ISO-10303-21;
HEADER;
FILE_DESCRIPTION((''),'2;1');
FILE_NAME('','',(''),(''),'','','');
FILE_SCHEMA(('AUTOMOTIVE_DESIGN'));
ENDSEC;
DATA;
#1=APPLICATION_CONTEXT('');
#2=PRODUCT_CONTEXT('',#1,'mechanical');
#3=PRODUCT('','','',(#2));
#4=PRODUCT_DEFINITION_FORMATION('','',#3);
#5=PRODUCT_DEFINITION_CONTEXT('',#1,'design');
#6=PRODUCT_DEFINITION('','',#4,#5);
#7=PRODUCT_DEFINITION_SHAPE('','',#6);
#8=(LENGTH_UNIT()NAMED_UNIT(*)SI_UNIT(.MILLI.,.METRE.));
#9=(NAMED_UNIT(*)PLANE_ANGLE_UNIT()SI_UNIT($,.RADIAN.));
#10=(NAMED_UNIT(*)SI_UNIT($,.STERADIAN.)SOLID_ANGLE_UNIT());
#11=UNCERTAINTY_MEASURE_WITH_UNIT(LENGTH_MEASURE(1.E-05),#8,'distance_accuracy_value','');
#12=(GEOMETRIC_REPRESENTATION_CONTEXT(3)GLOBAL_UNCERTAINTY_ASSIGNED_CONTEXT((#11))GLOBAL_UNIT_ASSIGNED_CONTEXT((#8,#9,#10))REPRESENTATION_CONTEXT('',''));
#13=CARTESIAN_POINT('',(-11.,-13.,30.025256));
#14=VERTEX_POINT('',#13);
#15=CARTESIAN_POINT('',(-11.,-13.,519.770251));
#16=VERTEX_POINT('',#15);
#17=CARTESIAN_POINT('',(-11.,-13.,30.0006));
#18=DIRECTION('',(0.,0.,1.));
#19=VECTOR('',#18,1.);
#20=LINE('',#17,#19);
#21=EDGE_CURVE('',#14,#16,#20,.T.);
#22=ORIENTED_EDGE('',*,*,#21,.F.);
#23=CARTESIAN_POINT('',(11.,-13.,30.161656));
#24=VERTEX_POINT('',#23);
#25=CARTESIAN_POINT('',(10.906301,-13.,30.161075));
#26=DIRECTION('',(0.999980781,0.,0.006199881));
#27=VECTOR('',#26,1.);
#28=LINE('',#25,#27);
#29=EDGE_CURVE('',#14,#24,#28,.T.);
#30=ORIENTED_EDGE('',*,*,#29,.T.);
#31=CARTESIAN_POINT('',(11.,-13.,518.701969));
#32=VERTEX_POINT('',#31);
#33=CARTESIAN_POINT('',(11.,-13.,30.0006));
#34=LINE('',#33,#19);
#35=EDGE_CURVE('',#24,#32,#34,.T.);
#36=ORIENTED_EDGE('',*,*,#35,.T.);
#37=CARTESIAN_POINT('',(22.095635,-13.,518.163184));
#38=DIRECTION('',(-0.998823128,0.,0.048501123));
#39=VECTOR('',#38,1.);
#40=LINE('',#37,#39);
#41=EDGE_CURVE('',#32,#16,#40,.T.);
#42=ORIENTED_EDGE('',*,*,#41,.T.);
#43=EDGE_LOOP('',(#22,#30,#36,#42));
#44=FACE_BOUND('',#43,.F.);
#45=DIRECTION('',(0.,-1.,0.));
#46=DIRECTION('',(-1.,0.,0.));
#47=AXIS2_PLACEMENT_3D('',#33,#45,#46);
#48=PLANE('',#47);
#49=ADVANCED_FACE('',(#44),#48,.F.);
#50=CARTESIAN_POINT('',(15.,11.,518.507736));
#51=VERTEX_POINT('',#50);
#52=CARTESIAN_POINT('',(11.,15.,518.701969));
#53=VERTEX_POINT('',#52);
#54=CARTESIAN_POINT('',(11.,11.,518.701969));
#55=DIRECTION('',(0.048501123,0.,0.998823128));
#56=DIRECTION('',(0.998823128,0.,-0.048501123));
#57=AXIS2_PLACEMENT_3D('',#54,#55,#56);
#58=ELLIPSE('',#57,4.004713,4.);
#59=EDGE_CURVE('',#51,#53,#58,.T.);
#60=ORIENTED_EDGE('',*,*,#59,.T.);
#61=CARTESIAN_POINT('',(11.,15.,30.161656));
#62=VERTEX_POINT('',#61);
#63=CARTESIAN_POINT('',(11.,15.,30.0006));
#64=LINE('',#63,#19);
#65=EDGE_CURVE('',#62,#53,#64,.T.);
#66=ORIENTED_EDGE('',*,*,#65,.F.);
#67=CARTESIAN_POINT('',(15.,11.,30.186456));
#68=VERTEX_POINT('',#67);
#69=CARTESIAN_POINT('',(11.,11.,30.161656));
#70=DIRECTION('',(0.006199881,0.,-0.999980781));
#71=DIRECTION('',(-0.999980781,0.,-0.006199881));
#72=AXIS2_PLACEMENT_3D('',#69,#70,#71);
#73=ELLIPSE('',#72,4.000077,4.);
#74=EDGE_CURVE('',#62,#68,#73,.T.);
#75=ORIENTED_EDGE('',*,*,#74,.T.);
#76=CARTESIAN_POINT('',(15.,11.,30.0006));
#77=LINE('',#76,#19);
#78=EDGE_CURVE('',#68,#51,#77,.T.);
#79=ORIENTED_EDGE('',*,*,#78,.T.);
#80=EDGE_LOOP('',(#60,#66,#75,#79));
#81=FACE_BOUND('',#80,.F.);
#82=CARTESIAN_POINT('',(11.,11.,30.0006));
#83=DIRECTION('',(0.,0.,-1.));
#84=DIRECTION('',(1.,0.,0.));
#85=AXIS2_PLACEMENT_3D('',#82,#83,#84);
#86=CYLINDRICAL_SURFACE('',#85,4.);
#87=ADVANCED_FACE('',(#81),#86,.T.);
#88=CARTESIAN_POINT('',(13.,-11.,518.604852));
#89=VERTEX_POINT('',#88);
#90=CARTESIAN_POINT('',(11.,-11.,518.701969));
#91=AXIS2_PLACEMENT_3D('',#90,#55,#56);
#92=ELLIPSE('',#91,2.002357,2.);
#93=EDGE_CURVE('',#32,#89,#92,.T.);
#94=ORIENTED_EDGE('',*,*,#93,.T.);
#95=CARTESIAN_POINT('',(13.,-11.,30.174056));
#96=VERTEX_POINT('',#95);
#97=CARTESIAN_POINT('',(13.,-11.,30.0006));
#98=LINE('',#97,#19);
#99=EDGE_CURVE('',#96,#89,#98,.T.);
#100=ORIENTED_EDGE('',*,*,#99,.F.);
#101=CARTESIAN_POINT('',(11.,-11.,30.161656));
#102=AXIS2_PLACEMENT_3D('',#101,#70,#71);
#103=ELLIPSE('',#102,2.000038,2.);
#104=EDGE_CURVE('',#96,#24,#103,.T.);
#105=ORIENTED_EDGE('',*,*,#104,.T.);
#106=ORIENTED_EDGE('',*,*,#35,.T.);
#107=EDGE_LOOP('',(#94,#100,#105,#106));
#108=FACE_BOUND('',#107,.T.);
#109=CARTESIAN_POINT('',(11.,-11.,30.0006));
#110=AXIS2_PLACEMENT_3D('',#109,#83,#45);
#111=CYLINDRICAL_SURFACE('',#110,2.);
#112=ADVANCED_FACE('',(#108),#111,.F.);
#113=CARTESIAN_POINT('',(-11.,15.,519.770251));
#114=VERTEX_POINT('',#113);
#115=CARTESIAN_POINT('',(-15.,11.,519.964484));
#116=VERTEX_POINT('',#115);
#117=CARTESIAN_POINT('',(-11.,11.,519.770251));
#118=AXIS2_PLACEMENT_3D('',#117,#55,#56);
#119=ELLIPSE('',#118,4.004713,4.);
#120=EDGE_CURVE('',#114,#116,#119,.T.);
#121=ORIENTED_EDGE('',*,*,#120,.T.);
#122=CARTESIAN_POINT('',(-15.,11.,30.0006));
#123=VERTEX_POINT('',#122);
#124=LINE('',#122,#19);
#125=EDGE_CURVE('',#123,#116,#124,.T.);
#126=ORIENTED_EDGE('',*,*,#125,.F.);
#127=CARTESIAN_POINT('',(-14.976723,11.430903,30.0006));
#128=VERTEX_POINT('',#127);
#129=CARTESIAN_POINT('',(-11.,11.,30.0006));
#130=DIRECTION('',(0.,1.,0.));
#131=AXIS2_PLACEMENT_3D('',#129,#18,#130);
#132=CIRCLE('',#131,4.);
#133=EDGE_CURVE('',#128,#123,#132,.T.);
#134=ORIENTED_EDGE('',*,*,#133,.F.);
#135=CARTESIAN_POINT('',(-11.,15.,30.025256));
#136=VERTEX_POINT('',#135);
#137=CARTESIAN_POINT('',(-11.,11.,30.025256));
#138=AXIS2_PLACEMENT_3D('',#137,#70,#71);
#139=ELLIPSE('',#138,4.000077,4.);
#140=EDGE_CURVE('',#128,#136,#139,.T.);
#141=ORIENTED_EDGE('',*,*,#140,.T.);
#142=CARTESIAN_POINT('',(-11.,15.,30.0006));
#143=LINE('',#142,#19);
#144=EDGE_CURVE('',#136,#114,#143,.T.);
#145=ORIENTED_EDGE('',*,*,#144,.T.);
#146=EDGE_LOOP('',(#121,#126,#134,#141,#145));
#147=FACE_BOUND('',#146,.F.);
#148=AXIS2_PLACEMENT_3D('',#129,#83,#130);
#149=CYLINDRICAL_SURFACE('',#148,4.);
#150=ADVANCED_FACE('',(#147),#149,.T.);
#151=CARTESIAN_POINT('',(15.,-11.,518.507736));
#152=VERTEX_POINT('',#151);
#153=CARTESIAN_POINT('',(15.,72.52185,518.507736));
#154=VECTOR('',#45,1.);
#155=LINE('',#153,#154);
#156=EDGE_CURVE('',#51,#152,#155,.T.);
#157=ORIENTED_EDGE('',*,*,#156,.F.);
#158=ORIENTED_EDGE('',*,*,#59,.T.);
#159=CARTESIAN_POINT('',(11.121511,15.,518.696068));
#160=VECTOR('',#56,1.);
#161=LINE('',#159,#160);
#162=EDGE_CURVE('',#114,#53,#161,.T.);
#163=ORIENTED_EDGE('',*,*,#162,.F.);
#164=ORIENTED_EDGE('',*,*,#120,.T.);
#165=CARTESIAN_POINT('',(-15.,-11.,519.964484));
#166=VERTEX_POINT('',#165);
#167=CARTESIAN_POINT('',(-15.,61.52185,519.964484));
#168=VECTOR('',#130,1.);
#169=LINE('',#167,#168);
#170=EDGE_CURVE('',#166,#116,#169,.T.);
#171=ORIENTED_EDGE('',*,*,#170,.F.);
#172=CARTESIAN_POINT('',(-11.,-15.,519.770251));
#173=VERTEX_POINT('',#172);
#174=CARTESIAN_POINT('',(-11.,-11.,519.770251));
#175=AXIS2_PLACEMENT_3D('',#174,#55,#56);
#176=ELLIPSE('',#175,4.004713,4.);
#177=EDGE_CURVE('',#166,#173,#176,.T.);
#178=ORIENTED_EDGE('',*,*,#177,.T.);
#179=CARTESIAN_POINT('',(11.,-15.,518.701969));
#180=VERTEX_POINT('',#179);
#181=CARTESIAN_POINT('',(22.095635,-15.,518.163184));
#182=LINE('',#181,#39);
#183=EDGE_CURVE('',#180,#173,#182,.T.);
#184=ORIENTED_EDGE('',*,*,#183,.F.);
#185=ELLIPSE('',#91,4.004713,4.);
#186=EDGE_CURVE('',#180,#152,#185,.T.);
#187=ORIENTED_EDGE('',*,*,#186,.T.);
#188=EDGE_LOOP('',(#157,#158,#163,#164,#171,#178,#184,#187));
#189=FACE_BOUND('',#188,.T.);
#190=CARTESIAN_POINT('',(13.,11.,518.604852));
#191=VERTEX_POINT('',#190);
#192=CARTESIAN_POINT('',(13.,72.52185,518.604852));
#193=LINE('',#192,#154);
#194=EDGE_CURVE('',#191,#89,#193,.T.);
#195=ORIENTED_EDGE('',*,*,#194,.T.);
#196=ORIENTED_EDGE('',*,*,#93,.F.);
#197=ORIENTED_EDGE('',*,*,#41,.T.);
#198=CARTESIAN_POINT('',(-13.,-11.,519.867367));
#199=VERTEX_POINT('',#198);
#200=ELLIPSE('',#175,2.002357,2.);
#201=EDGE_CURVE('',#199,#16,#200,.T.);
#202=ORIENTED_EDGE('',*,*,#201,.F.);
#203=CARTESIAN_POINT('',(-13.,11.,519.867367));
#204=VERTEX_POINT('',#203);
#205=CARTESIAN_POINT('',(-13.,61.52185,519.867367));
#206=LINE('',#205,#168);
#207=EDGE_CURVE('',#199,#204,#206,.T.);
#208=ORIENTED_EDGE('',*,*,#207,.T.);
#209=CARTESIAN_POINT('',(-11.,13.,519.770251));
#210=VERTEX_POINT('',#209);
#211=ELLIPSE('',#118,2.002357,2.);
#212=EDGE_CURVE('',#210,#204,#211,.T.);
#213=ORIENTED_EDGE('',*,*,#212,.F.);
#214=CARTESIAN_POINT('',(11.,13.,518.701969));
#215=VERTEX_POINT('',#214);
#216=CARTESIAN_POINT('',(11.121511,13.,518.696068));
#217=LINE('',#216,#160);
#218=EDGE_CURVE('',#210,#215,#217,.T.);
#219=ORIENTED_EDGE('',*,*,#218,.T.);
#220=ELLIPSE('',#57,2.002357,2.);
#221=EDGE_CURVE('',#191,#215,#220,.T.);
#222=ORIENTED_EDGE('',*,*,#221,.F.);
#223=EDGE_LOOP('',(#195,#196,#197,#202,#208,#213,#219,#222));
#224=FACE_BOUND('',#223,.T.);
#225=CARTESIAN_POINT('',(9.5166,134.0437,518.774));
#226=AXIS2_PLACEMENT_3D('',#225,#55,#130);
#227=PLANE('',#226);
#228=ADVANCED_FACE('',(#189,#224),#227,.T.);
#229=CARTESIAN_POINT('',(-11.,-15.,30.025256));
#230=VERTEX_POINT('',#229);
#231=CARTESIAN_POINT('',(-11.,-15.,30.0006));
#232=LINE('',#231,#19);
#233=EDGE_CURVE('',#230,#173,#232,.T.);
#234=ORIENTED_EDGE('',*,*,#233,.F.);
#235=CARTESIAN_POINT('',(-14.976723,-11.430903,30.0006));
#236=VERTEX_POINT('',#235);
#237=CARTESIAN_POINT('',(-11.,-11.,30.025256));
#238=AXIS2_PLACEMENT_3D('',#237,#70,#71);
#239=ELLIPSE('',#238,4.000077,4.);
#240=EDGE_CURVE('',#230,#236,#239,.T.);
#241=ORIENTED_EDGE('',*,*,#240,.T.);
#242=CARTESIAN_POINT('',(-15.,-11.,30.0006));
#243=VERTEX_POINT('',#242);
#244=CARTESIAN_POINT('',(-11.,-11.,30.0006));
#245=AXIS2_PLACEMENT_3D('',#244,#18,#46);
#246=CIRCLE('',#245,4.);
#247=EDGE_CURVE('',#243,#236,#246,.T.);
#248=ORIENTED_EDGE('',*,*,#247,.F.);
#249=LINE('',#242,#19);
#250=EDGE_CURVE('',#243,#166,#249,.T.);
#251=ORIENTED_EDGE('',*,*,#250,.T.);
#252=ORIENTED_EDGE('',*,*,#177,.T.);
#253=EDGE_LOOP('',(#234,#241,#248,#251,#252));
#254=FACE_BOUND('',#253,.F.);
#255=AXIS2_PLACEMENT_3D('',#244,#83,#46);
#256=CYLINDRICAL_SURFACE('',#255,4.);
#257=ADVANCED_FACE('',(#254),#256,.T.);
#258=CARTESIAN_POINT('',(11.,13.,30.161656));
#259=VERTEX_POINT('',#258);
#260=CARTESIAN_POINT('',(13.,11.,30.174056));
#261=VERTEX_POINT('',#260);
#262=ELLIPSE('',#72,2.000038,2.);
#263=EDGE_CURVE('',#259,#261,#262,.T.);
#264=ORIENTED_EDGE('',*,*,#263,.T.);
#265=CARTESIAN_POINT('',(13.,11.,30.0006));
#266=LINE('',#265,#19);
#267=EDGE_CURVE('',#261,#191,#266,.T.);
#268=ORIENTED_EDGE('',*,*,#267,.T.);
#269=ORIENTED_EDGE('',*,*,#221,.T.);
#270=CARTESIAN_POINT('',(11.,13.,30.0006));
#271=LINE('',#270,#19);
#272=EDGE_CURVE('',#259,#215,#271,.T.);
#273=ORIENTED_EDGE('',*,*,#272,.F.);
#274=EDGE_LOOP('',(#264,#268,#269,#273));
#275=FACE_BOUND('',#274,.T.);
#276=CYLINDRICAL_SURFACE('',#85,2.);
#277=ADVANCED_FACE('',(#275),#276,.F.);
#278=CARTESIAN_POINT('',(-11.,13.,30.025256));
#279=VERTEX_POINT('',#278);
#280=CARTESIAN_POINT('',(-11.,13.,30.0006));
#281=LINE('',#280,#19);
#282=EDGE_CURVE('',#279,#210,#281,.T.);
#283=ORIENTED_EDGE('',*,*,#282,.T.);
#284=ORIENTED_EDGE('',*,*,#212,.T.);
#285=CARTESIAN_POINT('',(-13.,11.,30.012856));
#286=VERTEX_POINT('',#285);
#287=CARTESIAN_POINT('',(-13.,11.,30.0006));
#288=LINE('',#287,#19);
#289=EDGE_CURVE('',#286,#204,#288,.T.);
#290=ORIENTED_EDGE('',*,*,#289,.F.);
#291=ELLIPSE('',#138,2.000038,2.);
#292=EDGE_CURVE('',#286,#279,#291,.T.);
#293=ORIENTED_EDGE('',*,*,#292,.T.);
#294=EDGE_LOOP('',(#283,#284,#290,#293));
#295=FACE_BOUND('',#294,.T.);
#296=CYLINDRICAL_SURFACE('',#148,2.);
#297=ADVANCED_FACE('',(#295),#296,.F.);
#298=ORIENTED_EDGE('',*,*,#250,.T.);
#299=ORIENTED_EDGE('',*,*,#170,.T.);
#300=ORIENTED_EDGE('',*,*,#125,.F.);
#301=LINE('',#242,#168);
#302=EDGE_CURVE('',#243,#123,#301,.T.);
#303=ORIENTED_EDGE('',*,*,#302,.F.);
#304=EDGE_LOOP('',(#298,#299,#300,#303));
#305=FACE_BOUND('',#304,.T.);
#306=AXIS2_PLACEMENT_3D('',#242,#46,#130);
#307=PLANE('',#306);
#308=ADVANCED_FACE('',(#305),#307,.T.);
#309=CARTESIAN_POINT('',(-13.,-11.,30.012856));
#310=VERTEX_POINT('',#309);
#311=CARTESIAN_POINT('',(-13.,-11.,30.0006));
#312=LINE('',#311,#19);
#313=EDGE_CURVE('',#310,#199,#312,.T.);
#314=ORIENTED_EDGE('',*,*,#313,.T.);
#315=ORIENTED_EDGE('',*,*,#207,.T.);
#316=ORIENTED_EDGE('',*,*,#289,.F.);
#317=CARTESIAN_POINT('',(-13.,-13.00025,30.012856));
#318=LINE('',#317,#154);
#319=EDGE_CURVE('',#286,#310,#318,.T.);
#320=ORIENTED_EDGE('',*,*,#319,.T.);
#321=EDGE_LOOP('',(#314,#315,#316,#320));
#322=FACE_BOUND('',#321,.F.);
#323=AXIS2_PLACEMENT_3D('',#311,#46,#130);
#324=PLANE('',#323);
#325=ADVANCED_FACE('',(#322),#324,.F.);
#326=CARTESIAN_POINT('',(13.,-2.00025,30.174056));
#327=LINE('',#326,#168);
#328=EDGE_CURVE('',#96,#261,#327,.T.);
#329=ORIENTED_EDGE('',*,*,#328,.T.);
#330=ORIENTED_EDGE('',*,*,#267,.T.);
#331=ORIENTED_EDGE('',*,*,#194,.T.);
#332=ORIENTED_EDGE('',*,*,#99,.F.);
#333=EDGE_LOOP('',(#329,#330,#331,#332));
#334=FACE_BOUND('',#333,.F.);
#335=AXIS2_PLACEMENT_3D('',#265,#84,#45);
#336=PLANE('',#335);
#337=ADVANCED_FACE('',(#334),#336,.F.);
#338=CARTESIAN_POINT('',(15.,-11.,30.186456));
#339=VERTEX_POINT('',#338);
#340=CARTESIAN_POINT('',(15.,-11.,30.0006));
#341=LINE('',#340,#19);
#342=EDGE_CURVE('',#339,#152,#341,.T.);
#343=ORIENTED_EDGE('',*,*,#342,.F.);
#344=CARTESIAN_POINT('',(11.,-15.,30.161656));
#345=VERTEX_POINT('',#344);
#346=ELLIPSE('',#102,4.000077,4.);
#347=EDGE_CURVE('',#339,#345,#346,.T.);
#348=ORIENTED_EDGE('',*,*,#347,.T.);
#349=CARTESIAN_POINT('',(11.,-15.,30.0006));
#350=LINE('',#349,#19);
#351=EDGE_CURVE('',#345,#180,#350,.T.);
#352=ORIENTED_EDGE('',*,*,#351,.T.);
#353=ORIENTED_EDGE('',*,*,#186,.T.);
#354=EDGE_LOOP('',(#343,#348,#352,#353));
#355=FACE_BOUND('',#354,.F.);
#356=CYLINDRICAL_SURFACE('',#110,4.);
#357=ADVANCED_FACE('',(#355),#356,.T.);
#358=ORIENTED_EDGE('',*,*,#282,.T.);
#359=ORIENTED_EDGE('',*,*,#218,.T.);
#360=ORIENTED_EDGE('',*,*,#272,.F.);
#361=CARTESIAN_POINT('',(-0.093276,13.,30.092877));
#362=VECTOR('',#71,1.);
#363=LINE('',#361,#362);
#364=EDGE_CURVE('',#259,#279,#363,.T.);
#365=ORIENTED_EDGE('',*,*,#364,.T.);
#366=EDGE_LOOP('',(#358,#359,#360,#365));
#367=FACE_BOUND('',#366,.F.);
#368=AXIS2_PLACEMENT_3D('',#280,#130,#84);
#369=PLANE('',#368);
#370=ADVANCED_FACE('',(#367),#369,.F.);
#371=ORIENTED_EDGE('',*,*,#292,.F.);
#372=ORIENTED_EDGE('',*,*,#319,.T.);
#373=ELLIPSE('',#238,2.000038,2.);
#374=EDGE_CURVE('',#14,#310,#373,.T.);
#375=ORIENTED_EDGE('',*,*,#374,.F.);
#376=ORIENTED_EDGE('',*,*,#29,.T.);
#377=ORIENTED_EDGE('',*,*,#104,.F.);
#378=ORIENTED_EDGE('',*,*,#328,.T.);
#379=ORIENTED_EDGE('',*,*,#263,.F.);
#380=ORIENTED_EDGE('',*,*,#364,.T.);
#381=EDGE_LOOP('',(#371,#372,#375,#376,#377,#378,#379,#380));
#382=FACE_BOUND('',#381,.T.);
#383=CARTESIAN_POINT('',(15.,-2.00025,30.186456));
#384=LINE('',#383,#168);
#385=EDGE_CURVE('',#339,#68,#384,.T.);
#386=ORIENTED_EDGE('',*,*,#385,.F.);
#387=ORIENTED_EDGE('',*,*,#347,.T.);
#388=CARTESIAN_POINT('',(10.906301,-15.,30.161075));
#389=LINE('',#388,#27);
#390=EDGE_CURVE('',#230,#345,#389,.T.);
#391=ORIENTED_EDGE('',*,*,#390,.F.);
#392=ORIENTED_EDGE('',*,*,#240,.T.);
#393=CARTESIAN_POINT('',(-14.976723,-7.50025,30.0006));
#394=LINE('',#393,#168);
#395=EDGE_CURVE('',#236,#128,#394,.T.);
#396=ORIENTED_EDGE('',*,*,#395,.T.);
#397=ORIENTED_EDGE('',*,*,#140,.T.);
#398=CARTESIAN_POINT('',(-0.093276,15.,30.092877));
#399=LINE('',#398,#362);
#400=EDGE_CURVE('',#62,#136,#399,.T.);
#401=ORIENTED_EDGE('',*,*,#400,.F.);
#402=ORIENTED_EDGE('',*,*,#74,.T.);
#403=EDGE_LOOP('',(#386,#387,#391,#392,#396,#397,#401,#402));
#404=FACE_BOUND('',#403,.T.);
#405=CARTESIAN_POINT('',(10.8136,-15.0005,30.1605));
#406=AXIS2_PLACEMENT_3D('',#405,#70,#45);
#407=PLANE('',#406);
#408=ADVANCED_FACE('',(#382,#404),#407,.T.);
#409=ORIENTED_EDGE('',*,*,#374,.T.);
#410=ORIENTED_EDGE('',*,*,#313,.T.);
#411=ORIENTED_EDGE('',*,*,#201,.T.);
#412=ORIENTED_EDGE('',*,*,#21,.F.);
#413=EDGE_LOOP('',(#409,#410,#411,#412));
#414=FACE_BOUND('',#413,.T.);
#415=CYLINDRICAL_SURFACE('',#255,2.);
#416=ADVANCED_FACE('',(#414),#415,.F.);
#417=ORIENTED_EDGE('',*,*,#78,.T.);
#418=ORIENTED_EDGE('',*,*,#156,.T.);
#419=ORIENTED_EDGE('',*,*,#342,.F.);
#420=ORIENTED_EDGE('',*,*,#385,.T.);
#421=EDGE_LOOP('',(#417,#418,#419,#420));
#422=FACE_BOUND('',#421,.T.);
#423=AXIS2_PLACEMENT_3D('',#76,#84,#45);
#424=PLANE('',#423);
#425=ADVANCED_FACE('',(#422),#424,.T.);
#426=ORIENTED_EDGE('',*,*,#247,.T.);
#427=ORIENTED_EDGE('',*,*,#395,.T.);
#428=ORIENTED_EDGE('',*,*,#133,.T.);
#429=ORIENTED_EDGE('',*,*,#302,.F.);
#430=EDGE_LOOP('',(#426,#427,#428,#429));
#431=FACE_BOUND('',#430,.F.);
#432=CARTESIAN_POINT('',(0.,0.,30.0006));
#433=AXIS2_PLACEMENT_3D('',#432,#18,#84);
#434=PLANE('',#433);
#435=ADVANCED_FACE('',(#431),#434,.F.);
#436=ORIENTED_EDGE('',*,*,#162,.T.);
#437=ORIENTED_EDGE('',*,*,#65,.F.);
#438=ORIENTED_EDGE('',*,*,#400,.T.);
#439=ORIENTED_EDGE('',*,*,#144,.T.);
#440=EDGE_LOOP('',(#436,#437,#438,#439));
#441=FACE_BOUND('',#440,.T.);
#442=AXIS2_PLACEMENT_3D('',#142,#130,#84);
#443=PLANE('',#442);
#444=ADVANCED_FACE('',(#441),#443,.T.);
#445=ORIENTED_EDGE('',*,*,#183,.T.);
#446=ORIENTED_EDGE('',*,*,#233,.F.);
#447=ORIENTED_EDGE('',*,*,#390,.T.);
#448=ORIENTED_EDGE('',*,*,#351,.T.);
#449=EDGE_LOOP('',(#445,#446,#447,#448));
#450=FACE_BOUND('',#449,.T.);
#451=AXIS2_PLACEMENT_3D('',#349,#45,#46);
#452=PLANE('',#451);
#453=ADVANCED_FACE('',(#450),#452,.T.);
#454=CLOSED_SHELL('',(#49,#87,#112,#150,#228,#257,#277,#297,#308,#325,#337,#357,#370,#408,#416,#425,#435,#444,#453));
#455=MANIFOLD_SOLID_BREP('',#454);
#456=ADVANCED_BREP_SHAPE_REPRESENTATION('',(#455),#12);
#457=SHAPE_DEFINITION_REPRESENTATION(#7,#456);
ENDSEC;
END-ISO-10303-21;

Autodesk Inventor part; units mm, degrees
ref_plane "Plano inicial" through (0, 0, 30.0006) normal (0, 0, 1) x (1, 0, 0)
ref_plane "Plano final" through (0, 0, 519.9647) normal (0, 0, 1) x (1, 0, 0)
sketch "Esboço" plane through (0, 0, 0) normal (0, 0, 1) x (1, 0, 0)
  line L0 (-15, -11) -> (-15, 11)
  line L1 (-11, 15) -> (11, 15)
  line L2 (15, 11) -> (15, -11)
  line L3 (11, -15) -> (-11, -15)
  arc A0 (-15, -11) -> (-11, -15) centre (-11, -11) ccw
  arc A1 (15, 11) -> (11, 15) centre (11, 11) ccw
  arc A2 (-11, 15) -> (-15, 11) centre (-11, 11) ccw
  arc A3 (11, -15) -> (15, -11) centre (11, -11) ccw
  arc A4 (-11, 13) -> (-13, 11) centre (-11, 11) ccw
  line L4 (-11, 13) -> (11, 13)
  arc A5 (13, 11) -> (11, 13) centre (11, 11) ccw
  line L5 (13, 11) -> (13, -11)
  arc A6 (11, -13) -> (13, -11) centre (11, -11) ccw
  line L6 (11, -13) -> (-11, -13)
  arc A7 (-13, -11) -> (-11, -13) centre (-11, -11) ccw
  line L7 (-13, -11) -> (-13, 11)
  line L8 (0, 22.1598) -> (0, -22.1598) construction
  line L9 (-22.1598, 0) -> (22.1598, 0) construction
  dimension "d7" = 4
  dimension "d9" = 30
  dimension "d11" = 30
  dimension "d12" = 2
  dimension "d15" = 15
  dimension "d16" = 15
extrude "Corpo" add sketch "Esboço" along normal up to surface (489.9641 mm away) from surface at 30.0006
sketch "Sketch3" plane through (0, 0, 0) normal (0, 0, 1) x (1, 0, 0)
  line L0 (0, 0) -> (10, 0)
ref_plane "Work Plane3" through (0, 0, 0) normal (0, -1, 0) x (1, 0, 0)
sketch "Sketch4" plane through (0, 0, 0) normal (0, -1, 0) x (1, 0, 0)
  line L0 (-2, 30.0006) -> (12, 30.0006)
  line L1 (-2, 519.9647) -> (12, 519.9647)
  dimension "d18" = 489.9641
ref_plane "Plano de trabalho4" through (9.5166, 134.0437, 518.774) normal (0.0485, 0, 0.9988) x (0.9988, 0, -0.0485)
split "Dividir1" plane through (9.5166, 134.0437, 518.774) removes the side toward (0.0485, 0, 0.9988)
ref_plane "Plano de trabalho5" through (10.8136, -15.0005, 30.1605) normal (0.0062, 0, -1) x (-1, 0, -0.0062)
split "Dividir2" plane through (10.8136, -15.0005, 30.1605) removes the side toward (0.0062, 0, -1)
equation "\"d7\" = G_IR"
equation "\"d9\" = G_W"
equation "\"d11\" = G_H"
equation "\"d12\" = G_T"
equation "\"d15\" = 0.5 * d9"
equation "\"d16\" = 0.5 * d11"
equation "\"d3\" = G_L"
equation "\"G_W\" = 30"
equation "\"G_H\" = 30"
equation "\"G_T\" = 2"
equation "\"G_IR\" = 4"
equation "\"G_L\" = d18"
equation "\"G_OFFSET_START\" = -30.00057"
equation "\"G_OFFSET_END\" = -30.03534"
equation "\"d13\" = -G_OFFSET_START"
equation "\"d14\" = G_OFFSET_END + B_L"
equation "\"B_L\" = 550"
properties part number "ISO 10799-2 - 30x30x2 - 489,964" material "Aço, suave"
